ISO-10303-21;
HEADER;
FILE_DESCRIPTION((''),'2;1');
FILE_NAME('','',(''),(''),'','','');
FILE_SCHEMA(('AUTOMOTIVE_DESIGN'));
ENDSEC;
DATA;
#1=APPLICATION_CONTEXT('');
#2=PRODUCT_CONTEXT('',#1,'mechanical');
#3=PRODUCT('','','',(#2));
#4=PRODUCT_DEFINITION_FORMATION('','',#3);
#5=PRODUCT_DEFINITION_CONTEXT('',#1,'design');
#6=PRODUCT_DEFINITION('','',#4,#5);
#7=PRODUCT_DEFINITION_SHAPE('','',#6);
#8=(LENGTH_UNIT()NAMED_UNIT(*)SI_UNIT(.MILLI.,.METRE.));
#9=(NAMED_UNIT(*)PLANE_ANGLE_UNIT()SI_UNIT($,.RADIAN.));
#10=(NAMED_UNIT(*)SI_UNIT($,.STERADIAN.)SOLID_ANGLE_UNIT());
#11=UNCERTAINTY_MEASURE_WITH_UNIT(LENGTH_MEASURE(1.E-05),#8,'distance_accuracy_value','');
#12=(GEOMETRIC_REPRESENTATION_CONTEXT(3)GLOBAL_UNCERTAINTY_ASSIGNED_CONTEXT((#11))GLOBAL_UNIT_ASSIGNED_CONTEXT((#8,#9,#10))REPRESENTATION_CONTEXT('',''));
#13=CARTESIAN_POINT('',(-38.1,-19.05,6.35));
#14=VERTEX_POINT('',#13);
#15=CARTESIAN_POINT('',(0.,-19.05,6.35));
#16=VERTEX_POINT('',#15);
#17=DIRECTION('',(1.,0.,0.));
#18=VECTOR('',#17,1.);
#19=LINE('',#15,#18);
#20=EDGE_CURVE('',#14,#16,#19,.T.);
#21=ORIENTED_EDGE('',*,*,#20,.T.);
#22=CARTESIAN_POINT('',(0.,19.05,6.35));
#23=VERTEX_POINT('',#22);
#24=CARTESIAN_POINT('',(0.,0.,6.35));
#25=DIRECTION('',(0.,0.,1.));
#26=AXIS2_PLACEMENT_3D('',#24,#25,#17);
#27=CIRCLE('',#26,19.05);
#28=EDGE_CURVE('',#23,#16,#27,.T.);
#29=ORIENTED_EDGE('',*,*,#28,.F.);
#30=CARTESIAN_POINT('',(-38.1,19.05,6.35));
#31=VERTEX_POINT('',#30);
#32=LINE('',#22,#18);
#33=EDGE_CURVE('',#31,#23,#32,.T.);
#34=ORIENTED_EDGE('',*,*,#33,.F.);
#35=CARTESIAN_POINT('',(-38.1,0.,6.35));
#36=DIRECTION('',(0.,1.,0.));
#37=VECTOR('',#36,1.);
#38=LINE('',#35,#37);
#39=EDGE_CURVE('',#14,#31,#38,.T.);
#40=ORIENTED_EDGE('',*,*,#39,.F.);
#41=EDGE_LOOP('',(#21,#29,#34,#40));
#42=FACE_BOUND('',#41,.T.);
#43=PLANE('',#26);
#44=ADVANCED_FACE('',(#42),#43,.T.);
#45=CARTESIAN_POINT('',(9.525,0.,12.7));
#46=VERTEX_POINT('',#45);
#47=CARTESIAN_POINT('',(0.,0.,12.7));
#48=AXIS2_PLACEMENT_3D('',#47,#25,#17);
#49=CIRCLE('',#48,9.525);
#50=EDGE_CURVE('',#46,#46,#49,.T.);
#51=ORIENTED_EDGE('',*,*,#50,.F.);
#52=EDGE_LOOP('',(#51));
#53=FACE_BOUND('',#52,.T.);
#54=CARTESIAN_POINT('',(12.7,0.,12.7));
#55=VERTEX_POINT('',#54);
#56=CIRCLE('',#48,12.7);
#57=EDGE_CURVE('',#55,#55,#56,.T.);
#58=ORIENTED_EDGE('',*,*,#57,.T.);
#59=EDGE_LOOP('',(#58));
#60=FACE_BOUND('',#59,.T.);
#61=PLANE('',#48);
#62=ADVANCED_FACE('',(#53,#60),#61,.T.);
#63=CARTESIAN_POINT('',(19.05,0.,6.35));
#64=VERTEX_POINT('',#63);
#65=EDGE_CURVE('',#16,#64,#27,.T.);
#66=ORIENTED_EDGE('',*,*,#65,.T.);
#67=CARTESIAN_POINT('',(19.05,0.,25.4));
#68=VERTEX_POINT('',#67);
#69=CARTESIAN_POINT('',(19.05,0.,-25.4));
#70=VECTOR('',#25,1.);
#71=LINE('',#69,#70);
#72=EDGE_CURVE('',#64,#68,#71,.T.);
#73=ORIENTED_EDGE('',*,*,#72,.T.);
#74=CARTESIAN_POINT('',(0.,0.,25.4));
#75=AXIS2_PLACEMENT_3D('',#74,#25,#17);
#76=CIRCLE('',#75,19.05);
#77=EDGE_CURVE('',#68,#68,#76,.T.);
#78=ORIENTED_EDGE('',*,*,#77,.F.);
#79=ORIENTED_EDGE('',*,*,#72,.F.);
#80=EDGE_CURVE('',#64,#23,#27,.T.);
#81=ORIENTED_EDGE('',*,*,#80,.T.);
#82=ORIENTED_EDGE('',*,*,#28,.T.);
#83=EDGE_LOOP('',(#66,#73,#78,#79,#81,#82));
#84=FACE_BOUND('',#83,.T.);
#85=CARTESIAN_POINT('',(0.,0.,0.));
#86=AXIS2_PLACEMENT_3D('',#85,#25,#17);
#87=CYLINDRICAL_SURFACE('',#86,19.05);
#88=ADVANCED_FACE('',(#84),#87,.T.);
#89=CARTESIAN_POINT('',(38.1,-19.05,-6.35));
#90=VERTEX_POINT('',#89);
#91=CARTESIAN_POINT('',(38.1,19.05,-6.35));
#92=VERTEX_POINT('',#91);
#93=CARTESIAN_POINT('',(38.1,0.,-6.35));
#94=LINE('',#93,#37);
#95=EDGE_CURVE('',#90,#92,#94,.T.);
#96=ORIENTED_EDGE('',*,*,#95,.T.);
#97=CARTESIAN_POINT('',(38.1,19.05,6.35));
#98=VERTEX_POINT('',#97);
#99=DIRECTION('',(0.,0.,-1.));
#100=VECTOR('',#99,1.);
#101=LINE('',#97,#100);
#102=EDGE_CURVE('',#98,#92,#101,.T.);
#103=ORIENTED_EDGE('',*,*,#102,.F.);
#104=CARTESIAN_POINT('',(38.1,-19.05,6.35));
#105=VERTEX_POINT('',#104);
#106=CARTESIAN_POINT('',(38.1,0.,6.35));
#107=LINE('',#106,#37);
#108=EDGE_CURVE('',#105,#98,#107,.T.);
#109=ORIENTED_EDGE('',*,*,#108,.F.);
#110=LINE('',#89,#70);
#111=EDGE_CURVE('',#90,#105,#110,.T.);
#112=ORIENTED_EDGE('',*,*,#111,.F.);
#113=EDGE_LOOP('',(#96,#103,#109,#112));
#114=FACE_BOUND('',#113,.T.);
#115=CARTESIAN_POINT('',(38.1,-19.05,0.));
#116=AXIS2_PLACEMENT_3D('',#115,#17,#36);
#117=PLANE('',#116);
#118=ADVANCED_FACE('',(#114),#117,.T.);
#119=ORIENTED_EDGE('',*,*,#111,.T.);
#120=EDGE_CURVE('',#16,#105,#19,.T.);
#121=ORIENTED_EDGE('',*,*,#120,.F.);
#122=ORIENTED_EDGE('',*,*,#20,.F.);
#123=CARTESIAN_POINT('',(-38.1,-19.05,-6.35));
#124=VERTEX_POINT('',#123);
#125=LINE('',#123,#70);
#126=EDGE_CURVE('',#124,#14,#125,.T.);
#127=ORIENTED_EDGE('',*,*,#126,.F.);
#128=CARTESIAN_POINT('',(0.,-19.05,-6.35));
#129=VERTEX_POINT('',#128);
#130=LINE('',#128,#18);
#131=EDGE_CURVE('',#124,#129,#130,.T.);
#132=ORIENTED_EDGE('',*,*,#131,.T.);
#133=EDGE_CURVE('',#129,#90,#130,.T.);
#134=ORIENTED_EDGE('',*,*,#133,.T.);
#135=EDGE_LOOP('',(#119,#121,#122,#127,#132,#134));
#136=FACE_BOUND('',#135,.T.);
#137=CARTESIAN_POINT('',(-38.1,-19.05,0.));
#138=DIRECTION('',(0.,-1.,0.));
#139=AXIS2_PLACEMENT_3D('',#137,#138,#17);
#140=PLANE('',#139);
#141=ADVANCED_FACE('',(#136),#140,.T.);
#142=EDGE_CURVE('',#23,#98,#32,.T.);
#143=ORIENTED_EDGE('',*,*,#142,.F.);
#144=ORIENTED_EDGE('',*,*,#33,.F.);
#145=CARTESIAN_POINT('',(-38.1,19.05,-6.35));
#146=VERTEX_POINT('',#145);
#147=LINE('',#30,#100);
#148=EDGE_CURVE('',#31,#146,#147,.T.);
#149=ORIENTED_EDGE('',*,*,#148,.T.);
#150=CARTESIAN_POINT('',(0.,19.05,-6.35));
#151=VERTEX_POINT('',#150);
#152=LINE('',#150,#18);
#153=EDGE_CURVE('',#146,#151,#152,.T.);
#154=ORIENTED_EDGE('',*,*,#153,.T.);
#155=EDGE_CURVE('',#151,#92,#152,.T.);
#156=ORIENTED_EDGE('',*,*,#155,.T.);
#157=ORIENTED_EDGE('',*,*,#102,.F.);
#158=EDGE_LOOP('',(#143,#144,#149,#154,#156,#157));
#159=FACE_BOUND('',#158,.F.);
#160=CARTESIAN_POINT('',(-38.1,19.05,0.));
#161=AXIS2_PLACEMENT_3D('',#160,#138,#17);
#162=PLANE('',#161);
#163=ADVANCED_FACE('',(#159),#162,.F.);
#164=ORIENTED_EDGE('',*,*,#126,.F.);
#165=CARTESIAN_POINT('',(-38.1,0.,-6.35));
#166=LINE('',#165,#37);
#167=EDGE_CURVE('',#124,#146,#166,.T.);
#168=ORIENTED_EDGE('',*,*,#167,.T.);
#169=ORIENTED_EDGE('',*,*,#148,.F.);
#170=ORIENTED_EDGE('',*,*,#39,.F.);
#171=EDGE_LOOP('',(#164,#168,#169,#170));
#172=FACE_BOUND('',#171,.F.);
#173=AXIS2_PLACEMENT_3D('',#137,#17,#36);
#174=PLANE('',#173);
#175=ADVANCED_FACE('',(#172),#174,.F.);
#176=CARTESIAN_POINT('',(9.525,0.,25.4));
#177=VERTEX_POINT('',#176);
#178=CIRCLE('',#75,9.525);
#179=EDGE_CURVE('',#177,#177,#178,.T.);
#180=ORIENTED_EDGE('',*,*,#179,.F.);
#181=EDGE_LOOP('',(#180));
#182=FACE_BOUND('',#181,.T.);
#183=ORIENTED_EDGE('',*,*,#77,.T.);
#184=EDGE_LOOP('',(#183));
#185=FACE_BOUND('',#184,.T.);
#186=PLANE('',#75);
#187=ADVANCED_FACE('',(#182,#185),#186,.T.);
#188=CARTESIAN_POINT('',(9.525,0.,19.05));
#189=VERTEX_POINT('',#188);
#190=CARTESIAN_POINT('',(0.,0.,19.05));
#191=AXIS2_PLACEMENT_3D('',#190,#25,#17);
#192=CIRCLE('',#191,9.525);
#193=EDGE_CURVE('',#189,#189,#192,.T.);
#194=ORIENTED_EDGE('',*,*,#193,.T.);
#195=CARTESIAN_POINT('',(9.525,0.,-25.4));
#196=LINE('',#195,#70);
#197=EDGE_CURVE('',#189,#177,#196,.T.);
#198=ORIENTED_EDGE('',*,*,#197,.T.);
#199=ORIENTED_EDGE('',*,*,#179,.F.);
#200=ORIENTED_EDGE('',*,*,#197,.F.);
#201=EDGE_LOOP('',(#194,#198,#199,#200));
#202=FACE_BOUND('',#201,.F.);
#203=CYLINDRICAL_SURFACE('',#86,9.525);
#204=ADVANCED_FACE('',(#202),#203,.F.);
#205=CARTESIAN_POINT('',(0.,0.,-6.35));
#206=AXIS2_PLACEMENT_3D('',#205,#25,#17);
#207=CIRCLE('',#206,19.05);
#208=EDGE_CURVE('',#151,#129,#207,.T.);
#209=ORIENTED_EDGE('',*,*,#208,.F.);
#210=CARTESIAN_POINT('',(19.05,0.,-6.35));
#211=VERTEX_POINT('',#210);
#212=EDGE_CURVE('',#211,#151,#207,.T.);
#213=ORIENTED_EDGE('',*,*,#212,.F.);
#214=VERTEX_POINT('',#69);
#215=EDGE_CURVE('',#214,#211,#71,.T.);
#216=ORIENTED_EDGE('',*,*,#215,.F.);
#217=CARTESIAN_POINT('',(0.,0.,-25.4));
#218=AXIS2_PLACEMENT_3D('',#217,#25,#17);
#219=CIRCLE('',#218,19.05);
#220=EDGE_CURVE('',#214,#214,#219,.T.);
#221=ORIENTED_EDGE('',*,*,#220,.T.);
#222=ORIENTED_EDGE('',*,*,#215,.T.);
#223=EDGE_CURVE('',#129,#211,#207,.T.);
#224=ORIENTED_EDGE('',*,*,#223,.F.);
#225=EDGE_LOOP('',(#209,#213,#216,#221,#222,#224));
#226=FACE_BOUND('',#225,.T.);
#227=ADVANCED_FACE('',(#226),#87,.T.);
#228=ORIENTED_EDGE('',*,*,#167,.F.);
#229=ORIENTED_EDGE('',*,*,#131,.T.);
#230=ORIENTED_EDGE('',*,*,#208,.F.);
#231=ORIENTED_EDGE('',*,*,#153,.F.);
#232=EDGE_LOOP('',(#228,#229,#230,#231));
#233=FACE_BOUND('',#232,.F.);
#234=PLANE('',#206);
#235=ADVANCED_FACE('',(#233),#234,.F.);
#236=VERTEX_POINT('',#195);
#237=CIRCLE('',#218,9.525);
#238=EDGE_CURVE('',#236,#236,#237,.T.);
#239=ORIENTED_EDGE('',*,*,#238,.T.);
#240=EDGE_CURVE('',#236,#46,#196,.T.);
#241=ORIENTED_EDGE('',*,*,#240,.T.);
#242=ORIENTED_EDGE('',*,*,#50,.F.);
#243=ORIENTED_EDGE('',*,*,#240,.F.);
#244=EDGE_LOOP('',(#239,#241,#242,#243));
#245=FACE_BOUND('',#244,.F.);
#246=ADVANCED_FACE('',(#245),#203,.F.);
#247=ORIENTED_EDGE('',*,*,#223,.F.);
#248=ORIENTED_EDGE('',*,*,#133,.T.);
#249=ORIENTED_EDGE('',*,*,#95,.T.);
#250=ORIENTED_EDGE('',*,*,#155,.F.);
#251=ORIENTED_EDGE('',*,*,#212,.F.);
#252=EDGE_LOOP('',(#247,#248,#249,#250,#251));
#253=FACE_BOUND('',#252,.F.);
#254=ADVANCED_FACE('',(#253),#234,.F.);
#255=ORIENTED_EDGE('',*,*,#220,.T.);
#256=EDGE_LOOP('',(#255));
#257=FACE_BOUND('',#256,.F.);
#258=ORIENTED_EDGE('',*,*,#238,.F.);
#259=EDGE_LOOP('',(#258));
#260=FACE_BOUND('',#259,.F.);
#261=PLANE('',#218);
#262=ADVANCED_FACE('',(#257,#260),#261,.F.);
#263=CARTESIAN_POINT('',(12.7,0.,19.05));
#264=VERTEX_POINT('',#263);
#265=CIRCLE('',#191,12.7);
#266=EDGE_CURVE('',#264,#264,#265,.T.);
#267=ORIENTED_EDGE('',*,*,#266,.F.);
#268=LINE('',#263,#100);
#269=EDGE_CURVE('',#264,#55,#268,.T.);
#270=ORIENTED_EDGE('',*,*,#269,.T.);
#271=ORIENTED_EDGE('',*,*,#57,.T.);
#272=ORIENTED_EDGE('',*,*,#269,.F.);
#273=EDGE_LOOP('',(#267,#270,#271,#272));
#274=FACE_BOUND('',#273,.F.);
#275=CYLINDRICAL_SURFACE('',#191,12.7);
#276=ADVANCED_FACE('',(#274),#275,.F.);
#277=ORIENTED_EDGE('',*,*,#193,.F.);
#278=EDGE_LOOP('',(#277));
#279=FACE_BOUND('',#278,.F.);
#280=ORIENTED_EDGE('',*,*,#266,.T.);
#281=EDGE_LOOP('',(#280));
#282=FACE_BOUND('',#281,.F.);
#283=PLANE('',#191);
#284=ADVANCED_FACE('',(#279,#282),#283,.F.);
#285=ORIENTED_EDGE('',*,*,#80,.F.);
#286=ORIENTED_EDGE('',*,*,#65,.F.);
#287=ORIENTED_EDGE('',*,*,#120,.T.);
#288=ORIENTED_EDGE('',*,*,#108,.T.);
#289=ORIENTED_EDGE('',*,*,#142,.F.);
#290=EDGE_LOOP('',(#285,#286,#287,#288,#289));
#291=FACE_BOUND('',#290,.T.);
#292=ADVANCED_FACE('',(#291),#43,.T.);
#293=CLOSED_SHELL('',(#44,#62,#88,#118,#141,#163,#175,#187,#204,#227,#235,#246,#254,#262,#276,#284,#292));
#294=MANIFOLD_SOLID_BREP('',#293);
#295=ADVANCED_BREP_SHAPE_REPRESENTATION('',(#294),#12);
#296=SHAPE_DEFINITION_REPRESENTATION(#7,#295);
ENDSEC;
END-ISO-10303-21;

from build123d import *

# Parameters (mm, degrees)
F0_W     = 76.2
F0_H     = 38.1
F1_DEPTH = 6.35
F2_R     = 19.05
F3_DEPTH = 25.4
F4_R     = 9.525
F5_DEPTH = 25.4
F7_START = -6.35
F6_R     = 12.7
F7_DEPTH = 6.35


with BuildPart() as f1:
    # F0 (on Top) → F1 (new body, symmetric)
    with BuildSketch(Plane.XY):
        Rectangle(F0_W, F0_H)
    extrude(amount=F1_DEPTH, both=True)

    # F2 (on Top) → F3 (join, symmetric)
    with BuildSketch(Plane.XY):
        Circle(F2_R)
    extrude(amount=F3_DEPTH, both=True)

    # F4 (on Top) → F5 (cut, symmetric)
    with BuildSketch(Plane.XY):
        Circle(F4_R)
    extrude(amount=F5_DEPTH, both=True, mode=Mode.SUBTRACT)

    # F6 (on face) → F7 (cut)
    with BuildSketch(Plane.XY.offset(25.4).offset(F7_START)):
        Circle(F6_R)
    extrude(amount=-F7_DEPTH, mode=Mode.SUBTRACT)


solid = f1.part
